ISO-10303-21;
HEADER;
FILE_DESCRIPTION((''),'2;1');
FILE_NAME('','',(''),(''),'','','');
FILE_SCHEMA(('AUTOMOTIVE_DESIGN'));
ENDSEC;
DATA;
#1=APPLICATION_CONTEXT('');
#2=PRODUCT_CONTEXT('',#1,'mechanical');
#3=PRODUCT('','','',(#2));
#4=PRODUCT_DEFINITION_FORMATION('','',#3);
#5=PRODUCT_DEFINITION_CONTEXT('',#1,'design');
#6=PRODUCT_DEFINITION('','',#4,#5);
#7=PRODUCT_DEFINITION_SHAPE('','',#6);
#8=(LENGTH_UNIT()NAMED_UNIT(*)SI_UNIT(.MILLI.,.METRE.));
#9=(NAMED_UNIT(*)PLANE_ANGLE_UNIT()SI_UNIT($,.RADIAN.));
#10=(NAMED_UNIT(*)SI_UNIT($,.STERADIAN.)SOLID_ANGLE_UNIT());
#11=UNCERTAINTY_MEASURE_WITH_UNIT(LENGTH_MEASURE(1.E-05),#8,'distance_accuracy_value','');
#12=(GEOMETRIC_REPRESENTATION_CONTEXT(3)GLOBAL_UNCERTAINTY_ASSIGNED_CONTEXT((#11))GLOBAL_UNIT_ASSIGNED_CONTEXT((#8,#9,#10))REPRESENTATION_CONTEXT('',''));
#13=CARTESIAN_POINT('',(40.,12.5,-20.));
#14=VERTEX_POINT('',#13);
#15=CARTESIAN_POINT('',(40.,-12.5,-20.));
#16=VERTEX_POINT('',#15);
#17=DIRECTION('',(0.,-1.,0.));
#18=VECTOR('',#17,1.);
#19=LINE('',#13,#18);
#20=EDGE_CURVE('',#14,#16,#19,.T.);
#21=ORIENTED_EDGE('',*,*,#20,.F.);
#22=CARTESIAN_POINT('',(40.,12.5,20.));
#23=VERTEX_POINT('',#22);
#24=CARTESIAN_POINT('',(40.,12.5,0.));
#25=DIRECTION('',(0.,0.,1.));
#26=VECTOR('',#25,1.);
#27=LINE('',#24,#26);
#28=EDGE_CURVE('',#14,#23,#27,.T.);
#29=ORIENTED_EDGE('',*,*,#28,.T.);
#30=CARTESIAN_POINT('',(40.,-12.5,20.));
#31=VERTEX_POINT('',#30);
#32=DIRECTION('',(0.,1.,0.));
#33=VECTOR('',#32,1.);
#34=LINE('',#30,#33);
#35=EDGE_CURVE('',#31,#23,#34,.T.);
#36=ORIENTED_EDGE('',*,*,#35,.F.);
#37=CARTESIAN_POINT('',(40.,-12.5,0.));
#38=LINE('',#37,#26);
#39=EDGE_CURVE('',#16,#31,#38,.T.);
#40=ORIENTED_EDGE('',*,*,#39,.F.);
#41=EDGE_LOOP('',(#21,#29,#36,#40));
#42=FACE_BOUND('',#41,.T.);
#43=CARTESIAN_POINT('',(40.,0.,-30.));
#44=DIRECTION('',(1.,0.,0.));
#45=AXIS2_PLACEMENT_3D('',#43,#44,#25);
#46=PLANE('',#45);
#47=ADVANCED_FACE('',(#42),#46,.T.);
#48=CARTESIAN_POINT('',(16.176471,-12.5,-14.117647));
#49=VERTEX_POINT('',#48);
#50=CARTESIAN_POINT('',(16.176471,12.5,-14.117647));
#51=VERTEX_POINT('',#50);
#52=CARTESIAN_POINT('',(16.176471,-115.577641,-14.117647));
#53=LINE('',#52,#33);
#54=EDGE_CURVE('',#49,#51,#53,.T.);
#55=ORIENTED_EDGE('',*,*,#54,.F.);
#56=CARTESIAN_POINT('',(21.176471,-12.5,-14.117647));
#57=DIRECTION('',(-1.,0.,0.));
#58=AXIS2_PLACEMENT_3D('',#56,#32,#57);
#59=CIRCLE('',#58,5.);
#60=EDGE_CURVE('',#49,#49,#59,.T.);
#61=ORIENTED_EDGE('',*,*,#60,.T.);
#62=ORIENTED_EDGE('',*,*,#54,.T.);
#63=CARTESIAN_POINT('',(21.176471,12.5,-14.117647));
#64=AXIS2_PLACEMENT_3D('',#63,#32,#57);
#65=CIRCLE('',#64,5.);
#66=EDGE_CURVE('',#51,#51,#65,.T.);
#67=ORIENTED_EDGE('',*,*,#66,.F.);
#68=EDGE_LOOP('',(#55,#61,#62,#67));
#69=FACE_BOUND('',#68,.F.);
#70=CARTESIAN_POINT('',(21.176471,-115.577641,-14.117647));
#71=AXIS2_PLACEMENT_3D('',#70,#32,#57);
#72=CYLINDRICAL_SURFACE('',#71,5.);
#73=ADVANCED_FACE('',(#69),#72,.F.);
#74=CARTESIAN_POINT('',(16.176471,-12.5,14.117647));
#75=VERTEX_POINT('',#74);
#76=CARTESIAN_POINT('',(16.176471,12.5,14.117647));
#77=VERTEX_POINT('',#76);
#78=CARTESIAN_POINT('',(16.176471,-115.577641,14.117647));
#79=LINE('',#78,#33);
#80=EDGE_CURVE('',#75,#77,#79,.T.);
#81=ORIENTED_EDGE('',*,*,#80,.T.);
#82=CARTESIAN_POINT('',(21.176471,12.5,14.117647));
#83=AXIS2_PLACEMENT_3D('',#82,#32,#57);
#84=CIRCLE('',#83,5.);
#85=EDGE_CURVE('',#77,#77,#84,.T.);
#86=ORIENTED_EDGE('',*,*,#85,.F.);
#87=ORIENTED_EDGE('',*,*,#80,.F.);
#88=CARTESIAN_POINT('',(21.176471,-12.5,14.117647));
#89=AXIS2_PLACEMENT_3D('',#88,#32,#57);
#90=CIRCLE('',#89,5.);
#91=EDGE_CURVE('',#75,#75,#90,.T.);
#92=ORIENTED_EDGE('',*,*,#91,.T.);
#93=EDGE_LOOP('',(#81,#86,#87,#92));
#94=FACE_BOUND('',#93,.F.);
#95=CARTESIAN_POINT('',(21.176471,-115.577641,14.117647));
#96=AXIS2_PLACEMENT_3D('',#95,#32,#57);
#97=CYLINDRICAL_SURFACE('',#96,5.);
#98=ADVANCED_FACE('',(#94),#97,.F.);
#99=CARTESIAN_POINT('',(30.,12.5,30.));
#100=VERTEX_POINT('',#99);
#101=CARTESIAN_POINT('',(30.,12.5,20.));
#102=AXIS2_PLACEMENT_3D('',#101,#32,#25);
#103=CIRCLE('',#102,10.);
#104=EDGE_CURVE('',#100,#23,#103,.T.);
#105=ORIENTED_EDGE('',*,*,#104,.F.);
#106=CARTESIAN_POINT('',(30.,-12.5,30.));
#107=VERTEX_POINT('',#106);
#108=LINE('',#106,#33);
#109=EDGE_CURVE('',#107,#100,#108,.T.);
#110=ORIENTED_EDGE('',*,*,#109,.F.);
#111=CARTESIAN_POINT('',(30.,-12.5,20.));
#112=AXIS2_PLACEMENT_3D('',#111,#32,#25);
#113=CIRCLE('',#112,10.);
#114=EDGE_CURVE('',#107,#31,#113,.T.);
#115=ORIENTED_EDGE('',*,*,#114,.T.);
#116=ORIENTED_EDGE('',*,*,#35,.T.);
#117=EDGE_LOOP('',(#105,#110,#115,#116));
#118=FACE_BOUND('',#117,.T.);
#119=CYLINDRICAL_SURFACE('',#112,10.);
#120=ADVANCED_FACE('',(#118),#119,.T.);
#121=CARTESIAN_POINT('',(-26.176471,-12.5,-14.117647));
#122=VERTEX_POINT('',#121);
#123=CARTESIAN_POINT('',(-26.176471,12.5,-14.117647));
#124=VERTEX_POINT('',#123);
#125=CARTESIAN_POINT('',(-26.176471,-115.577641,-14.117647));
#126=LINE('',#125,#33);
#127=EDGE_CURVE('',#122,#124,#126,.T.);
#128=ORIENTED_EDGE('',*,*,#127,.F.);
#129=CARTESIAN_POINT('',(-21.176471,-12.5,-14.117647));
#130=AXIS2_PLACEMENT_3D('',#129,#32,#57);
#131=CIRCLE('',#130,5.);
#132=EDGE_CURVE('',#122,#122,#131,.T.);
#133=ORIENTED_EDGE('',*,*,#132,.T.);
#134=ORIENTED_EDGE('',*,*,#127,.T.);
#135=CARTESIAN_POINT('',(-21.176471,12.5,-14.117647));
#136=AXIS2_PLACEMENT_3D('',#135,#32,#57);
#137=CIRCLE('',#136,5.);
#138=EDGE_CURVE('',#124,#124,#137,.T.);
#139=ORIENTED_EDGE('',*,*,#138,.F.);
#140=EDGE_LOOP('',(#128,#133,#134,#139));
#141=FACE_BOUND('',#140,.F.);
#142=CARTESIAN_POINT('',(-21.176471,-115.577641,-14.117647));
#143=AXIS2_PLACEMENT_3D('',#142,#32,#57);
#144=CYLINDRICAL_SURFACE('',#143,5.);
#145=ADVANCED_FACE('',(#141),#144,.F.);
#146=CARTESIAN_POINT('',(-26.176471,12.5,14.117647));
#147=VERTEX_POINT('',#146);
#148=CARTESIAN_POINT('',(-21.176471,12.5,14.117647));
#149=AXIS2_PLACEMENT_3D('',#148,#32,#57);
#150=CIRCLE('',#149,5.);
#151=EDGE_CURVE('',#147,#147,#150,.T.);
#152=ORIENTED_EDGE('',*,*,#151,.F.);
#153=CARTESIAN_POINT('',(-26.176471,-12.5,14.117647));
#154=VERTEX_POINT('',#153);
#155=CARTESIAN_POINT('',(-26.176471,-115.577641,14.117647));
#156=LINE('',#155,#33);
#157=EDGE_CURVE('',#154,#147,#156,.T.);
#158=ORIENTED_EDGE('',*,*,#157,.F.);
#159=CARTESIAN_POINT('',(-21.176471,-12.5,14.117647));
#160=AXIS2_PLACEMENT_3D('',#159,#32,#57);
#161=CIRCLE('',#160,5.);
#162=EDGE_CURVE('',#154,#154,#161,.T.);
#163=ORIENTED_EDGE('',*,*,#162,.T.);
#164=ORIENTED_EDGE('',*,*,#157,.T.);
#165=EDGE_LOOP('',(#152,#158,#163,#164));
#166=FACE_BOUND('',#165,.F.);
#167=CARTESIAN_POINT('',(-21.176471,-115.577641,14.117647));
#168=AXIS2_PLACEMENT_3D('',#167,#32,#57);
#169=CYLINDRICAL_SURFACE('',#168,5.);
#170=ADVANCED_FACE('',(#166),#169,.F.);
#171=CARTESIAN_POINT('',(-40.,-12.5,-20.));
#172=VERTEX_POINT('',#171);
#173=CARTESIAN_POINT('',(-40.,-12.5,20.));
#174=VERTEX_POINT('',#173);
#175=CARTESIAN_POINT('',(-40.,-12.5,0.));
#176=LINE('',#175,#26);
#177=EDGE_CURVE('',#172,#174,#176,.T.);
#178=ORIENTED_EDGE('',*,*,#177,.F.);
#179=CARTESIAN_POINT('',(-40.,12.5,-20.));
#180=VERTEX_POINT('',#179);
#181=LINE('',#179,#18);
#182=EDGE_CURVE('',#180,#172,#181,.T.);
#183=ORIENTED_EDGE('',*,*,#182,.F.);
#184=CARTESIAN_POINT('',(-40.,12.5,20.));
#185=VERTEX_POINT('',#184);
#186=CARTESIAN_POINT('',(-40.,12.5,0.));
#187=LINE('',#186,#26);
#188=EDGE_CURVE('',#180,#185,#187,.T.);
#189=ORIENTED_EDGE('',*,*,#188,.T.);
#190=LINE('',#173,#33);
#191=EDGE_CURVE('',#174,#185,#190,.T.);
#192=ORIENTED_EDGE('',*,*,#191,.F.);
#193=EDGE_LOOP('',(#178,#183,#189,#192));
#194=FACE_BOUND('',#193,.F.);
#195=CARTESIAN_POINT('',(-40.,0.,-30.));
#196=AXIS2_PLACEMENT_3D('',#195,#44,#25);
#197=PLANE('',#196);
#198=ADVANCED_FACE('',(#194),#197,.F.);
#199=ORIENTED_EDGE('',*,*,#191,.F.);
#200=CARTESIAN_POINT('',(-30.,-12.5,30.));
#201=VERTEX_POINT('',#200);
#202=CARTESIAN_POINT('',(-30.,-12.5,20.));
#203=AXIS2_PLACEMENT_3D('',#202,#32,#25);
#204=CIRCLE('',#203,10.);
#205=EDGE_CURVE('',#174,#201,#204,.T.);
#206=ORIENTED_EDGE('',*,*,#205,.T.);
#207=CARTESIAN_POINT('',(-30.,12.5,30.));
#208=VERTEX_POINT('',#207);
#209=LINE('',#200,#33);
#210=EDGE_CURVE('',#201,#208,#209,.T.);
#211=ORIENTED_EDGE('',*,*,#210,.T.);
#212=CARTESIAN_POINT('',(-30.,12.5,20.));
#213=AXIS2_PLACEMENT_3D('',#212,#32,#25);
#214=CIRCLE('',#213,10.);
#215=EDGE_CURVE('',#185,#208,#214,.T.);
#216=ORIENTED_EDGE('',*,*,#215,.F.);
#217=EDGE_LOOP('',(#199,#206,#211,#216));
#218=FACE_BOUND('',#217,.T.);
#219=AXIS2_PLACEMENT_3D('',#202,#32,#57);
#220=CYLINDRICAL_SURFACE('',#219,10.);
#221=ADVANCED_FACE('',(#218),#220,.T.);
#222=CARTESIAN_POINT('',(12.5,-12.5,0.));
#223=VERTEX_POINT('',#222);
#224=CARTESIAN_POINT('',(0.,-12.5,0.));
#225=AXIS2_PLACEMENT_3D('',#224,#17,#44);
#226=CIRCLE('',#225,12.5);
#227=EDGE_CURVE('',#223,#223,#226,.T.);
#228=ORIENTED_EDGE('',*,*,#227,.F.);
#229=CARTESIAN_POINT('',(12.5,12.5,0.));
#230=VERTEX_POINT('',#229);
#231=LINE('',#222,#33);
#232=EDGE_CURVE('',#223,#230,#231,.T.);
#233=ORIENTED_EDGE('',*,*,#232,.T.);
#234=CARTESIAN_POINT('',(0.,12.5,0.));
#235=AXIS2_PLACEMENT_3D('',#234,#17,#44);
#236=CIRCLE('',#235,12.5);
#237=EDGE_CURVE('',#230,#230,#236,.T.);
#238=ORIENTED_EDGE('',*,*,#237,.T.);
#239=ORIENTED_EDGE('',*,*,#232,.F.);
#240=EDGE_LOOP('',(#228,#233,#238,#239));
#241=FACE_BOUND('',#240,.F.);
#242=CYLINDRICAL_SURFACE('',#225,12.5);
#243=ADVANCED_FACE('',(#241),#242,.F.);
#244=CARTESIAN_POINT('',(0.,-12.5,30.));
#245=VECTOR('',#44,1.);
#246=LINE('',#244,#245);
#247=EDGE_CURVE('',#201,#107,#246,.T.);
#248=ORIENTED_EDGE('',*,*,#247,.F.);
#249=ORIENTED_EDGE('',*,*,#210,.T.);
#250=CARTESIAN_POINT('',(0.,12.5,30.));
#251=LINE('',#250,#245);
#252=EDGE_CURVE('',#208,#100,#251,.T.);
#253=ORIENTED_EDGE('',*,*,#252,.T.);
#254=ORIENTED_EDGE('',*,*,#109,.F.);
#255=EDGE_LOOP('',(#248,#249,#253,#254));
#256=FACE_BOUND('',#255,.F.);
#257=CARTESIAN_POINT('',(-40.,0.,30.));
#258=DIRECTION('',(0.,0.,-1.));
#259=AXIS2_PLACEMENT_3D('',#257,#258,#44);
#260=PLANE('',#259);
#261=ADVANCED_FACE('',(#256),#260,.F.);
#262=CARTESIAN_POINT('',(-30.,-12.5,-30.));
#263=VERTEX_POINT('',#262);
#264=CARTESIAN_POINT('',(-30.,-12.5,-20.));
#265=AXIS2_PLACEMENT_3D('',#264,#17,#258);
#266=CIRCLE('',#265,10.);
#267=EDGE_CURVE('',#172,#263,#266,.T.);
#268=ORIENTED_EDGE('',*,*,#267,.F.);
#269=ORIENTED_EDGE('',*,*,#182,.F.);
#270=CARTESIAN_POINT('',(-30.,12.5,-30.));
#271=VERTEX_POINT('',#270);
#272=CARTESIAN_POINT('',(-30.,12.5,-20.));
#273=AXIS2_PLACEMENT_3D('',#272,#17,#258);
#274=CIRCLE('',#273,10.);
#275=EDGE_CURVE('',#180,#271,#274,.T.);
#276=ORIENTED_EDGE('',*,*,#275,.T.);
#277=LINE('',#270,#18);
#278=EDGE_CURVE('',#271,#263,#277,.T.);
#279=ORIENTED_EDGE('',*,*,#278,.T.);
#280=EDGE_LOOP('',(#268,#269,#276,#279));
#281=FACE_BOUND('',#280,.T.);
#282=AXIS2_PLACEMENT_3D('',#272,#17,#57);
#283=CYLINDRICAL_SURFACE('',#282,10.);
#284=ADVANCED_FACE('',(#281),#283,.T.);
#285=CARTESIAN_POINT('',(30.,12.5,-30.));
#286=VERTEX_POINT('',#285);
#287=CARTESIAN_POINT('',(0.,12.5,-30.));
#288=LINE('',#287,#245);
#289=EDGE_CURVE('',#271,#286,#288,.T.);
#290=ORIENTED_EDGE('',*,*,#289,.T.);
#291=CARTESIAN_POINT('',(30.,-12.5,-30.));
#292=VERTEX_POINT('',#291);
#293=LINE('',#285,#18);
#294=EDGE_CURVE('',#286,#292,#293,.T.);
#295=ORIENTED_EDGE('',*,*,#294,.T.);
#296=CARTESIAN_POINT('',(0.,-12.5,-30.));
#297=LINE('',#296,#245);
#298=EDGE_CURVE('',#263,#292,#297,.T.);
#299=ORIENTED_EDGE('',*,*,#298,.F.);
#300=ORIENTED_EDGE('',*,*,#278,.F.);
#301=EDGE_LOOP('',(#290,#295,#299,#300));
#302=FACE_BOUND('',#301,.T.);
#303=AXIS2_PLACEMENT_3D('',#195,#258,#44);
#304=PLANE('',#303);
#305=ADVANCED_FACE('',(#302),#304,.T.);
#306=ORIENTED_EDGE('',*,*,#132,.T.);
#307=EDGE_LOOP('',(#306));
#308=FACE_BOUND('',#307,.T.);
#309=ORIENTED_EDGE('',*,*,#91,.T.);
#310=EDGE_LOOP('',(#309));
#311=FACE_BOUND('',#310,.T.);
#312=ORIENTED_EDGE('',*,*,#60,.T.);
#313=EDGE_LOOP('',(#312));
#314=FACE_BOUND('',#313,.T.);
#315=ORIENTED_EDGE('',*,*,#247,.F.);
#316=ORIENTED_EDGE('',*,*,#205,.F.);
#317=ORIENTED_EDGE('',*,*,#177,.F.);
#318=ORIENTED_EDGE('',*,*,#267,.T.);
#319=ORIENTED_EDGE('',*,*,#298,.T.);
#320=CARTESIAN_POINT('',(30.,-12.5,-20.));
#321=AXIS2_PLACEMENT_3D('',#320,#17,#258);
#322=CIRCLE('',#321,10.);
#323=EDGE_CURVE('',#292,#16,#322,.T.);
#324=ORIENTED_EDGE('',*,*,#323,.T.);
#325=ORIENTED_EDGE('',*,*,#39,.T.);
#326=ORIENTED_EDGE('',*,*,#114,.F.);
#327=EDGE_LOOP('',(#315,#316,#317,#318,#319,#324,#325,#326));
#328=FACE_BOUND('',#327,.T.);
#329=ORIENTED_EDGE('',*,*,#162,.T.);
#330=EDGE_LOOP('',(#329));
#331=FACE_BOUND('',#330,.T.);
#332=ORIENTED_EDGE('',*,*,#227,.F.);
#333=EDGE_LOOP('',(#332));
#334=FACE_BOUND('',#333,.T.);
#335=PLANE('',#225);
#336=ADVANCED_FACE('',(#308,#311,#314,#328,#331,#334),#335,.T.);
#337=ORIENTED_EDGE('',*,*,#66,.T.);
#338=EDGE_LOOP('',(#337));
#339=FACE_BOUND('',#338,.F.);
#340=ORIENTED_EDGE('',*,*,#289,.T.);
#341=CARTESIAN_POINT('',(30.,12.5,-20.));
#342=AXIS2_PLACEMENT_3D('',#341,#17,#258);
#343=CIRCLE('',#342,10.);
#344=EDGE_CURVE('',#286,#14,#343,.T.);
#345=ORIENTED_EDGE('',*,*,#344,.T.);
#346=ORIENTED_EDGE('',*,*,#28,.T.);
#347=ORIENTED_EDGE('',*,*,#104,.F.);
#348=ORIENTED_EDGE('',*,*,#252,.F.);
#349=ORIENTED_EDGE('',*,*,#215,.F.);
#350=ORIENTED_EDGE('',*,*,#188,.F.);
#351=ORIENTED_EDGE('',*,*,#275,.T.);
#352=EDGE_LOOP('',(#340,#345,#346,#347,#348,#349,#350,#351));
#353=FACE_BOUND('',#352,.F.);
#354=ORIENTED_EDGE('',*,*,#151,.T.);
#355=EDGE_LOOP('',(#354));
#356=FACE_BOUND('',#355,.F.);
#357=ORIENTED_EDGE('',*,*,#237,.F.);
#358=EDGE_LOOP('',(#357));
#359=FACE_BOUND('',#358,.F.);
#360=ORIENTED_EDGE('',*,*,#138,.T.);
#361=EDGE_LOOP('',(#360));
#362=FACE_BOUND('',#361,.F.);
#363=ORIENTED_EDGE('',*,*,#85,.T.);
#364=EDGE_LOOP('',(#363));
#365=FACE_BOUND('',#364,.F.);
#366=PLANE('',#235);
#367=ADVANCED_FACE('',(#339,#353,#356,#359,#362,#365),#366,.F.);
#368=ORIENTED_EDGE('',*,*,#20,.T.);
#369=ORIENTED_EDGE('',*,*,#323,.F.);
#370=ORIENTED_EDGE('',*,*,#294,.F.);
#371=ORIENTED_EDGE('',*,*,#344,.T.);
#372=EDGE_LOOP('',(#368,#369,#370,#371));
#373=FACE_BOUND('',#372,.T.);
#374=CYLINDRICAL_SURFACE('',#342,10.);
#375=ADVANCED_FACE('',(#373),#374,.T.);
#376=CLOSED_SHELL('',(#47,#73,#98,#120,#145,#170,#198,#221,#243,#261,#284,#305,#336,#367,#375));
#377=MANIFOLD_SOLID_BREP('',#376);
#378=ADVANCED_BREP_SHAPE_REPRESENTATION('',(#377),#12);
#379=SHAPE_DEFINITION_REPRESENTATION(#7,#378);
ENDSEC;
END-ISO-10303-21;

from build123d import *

# Parameters (mm, degrees)
F0_W     = 80
F0_H     = 60
F1_DEPTH = 12.5
F2_R     = 12.5
F3_DEPTH = 25
F4_R     = 10
F6_D     = 10


with BuildPart() as f1:
    # F0 (on Front) → F1 (new body, symmetric)
    with BuildSketch(Plane.XZ):
        Rectangle(F0_W, F0_H)
    extrude(amount=F1_DEPTH, both=True)

    # F2 (on face) → F3 (cut, through all)
    with BuildSketch(Plane.XZ.offset(12.5)):
        Circle(F2_R)
    extrude(amount=-F3_DEPTH, mode=Mode.SUBTRACT)

    # F4
    f4_edges = [f1.edges().sort_by_distance(p)[0] for p in [
        (-40, 0, 30),
        (40, 0, 30),
        (40, 0, -30),
        (-40, 0, -30),
    ]]
    fillet(f4_edges, radius=F4_R)

    # F6 (through all)
    with Locations(Plane.XZ.offset(12.5)):
        with Locations((-21.176471, 14.117647), (-21.176471, -14.117647), (21.176471, 14.117647), (21.176471, -14.117647)):
            Hole(F6_D / 2)


solid = f1.part
